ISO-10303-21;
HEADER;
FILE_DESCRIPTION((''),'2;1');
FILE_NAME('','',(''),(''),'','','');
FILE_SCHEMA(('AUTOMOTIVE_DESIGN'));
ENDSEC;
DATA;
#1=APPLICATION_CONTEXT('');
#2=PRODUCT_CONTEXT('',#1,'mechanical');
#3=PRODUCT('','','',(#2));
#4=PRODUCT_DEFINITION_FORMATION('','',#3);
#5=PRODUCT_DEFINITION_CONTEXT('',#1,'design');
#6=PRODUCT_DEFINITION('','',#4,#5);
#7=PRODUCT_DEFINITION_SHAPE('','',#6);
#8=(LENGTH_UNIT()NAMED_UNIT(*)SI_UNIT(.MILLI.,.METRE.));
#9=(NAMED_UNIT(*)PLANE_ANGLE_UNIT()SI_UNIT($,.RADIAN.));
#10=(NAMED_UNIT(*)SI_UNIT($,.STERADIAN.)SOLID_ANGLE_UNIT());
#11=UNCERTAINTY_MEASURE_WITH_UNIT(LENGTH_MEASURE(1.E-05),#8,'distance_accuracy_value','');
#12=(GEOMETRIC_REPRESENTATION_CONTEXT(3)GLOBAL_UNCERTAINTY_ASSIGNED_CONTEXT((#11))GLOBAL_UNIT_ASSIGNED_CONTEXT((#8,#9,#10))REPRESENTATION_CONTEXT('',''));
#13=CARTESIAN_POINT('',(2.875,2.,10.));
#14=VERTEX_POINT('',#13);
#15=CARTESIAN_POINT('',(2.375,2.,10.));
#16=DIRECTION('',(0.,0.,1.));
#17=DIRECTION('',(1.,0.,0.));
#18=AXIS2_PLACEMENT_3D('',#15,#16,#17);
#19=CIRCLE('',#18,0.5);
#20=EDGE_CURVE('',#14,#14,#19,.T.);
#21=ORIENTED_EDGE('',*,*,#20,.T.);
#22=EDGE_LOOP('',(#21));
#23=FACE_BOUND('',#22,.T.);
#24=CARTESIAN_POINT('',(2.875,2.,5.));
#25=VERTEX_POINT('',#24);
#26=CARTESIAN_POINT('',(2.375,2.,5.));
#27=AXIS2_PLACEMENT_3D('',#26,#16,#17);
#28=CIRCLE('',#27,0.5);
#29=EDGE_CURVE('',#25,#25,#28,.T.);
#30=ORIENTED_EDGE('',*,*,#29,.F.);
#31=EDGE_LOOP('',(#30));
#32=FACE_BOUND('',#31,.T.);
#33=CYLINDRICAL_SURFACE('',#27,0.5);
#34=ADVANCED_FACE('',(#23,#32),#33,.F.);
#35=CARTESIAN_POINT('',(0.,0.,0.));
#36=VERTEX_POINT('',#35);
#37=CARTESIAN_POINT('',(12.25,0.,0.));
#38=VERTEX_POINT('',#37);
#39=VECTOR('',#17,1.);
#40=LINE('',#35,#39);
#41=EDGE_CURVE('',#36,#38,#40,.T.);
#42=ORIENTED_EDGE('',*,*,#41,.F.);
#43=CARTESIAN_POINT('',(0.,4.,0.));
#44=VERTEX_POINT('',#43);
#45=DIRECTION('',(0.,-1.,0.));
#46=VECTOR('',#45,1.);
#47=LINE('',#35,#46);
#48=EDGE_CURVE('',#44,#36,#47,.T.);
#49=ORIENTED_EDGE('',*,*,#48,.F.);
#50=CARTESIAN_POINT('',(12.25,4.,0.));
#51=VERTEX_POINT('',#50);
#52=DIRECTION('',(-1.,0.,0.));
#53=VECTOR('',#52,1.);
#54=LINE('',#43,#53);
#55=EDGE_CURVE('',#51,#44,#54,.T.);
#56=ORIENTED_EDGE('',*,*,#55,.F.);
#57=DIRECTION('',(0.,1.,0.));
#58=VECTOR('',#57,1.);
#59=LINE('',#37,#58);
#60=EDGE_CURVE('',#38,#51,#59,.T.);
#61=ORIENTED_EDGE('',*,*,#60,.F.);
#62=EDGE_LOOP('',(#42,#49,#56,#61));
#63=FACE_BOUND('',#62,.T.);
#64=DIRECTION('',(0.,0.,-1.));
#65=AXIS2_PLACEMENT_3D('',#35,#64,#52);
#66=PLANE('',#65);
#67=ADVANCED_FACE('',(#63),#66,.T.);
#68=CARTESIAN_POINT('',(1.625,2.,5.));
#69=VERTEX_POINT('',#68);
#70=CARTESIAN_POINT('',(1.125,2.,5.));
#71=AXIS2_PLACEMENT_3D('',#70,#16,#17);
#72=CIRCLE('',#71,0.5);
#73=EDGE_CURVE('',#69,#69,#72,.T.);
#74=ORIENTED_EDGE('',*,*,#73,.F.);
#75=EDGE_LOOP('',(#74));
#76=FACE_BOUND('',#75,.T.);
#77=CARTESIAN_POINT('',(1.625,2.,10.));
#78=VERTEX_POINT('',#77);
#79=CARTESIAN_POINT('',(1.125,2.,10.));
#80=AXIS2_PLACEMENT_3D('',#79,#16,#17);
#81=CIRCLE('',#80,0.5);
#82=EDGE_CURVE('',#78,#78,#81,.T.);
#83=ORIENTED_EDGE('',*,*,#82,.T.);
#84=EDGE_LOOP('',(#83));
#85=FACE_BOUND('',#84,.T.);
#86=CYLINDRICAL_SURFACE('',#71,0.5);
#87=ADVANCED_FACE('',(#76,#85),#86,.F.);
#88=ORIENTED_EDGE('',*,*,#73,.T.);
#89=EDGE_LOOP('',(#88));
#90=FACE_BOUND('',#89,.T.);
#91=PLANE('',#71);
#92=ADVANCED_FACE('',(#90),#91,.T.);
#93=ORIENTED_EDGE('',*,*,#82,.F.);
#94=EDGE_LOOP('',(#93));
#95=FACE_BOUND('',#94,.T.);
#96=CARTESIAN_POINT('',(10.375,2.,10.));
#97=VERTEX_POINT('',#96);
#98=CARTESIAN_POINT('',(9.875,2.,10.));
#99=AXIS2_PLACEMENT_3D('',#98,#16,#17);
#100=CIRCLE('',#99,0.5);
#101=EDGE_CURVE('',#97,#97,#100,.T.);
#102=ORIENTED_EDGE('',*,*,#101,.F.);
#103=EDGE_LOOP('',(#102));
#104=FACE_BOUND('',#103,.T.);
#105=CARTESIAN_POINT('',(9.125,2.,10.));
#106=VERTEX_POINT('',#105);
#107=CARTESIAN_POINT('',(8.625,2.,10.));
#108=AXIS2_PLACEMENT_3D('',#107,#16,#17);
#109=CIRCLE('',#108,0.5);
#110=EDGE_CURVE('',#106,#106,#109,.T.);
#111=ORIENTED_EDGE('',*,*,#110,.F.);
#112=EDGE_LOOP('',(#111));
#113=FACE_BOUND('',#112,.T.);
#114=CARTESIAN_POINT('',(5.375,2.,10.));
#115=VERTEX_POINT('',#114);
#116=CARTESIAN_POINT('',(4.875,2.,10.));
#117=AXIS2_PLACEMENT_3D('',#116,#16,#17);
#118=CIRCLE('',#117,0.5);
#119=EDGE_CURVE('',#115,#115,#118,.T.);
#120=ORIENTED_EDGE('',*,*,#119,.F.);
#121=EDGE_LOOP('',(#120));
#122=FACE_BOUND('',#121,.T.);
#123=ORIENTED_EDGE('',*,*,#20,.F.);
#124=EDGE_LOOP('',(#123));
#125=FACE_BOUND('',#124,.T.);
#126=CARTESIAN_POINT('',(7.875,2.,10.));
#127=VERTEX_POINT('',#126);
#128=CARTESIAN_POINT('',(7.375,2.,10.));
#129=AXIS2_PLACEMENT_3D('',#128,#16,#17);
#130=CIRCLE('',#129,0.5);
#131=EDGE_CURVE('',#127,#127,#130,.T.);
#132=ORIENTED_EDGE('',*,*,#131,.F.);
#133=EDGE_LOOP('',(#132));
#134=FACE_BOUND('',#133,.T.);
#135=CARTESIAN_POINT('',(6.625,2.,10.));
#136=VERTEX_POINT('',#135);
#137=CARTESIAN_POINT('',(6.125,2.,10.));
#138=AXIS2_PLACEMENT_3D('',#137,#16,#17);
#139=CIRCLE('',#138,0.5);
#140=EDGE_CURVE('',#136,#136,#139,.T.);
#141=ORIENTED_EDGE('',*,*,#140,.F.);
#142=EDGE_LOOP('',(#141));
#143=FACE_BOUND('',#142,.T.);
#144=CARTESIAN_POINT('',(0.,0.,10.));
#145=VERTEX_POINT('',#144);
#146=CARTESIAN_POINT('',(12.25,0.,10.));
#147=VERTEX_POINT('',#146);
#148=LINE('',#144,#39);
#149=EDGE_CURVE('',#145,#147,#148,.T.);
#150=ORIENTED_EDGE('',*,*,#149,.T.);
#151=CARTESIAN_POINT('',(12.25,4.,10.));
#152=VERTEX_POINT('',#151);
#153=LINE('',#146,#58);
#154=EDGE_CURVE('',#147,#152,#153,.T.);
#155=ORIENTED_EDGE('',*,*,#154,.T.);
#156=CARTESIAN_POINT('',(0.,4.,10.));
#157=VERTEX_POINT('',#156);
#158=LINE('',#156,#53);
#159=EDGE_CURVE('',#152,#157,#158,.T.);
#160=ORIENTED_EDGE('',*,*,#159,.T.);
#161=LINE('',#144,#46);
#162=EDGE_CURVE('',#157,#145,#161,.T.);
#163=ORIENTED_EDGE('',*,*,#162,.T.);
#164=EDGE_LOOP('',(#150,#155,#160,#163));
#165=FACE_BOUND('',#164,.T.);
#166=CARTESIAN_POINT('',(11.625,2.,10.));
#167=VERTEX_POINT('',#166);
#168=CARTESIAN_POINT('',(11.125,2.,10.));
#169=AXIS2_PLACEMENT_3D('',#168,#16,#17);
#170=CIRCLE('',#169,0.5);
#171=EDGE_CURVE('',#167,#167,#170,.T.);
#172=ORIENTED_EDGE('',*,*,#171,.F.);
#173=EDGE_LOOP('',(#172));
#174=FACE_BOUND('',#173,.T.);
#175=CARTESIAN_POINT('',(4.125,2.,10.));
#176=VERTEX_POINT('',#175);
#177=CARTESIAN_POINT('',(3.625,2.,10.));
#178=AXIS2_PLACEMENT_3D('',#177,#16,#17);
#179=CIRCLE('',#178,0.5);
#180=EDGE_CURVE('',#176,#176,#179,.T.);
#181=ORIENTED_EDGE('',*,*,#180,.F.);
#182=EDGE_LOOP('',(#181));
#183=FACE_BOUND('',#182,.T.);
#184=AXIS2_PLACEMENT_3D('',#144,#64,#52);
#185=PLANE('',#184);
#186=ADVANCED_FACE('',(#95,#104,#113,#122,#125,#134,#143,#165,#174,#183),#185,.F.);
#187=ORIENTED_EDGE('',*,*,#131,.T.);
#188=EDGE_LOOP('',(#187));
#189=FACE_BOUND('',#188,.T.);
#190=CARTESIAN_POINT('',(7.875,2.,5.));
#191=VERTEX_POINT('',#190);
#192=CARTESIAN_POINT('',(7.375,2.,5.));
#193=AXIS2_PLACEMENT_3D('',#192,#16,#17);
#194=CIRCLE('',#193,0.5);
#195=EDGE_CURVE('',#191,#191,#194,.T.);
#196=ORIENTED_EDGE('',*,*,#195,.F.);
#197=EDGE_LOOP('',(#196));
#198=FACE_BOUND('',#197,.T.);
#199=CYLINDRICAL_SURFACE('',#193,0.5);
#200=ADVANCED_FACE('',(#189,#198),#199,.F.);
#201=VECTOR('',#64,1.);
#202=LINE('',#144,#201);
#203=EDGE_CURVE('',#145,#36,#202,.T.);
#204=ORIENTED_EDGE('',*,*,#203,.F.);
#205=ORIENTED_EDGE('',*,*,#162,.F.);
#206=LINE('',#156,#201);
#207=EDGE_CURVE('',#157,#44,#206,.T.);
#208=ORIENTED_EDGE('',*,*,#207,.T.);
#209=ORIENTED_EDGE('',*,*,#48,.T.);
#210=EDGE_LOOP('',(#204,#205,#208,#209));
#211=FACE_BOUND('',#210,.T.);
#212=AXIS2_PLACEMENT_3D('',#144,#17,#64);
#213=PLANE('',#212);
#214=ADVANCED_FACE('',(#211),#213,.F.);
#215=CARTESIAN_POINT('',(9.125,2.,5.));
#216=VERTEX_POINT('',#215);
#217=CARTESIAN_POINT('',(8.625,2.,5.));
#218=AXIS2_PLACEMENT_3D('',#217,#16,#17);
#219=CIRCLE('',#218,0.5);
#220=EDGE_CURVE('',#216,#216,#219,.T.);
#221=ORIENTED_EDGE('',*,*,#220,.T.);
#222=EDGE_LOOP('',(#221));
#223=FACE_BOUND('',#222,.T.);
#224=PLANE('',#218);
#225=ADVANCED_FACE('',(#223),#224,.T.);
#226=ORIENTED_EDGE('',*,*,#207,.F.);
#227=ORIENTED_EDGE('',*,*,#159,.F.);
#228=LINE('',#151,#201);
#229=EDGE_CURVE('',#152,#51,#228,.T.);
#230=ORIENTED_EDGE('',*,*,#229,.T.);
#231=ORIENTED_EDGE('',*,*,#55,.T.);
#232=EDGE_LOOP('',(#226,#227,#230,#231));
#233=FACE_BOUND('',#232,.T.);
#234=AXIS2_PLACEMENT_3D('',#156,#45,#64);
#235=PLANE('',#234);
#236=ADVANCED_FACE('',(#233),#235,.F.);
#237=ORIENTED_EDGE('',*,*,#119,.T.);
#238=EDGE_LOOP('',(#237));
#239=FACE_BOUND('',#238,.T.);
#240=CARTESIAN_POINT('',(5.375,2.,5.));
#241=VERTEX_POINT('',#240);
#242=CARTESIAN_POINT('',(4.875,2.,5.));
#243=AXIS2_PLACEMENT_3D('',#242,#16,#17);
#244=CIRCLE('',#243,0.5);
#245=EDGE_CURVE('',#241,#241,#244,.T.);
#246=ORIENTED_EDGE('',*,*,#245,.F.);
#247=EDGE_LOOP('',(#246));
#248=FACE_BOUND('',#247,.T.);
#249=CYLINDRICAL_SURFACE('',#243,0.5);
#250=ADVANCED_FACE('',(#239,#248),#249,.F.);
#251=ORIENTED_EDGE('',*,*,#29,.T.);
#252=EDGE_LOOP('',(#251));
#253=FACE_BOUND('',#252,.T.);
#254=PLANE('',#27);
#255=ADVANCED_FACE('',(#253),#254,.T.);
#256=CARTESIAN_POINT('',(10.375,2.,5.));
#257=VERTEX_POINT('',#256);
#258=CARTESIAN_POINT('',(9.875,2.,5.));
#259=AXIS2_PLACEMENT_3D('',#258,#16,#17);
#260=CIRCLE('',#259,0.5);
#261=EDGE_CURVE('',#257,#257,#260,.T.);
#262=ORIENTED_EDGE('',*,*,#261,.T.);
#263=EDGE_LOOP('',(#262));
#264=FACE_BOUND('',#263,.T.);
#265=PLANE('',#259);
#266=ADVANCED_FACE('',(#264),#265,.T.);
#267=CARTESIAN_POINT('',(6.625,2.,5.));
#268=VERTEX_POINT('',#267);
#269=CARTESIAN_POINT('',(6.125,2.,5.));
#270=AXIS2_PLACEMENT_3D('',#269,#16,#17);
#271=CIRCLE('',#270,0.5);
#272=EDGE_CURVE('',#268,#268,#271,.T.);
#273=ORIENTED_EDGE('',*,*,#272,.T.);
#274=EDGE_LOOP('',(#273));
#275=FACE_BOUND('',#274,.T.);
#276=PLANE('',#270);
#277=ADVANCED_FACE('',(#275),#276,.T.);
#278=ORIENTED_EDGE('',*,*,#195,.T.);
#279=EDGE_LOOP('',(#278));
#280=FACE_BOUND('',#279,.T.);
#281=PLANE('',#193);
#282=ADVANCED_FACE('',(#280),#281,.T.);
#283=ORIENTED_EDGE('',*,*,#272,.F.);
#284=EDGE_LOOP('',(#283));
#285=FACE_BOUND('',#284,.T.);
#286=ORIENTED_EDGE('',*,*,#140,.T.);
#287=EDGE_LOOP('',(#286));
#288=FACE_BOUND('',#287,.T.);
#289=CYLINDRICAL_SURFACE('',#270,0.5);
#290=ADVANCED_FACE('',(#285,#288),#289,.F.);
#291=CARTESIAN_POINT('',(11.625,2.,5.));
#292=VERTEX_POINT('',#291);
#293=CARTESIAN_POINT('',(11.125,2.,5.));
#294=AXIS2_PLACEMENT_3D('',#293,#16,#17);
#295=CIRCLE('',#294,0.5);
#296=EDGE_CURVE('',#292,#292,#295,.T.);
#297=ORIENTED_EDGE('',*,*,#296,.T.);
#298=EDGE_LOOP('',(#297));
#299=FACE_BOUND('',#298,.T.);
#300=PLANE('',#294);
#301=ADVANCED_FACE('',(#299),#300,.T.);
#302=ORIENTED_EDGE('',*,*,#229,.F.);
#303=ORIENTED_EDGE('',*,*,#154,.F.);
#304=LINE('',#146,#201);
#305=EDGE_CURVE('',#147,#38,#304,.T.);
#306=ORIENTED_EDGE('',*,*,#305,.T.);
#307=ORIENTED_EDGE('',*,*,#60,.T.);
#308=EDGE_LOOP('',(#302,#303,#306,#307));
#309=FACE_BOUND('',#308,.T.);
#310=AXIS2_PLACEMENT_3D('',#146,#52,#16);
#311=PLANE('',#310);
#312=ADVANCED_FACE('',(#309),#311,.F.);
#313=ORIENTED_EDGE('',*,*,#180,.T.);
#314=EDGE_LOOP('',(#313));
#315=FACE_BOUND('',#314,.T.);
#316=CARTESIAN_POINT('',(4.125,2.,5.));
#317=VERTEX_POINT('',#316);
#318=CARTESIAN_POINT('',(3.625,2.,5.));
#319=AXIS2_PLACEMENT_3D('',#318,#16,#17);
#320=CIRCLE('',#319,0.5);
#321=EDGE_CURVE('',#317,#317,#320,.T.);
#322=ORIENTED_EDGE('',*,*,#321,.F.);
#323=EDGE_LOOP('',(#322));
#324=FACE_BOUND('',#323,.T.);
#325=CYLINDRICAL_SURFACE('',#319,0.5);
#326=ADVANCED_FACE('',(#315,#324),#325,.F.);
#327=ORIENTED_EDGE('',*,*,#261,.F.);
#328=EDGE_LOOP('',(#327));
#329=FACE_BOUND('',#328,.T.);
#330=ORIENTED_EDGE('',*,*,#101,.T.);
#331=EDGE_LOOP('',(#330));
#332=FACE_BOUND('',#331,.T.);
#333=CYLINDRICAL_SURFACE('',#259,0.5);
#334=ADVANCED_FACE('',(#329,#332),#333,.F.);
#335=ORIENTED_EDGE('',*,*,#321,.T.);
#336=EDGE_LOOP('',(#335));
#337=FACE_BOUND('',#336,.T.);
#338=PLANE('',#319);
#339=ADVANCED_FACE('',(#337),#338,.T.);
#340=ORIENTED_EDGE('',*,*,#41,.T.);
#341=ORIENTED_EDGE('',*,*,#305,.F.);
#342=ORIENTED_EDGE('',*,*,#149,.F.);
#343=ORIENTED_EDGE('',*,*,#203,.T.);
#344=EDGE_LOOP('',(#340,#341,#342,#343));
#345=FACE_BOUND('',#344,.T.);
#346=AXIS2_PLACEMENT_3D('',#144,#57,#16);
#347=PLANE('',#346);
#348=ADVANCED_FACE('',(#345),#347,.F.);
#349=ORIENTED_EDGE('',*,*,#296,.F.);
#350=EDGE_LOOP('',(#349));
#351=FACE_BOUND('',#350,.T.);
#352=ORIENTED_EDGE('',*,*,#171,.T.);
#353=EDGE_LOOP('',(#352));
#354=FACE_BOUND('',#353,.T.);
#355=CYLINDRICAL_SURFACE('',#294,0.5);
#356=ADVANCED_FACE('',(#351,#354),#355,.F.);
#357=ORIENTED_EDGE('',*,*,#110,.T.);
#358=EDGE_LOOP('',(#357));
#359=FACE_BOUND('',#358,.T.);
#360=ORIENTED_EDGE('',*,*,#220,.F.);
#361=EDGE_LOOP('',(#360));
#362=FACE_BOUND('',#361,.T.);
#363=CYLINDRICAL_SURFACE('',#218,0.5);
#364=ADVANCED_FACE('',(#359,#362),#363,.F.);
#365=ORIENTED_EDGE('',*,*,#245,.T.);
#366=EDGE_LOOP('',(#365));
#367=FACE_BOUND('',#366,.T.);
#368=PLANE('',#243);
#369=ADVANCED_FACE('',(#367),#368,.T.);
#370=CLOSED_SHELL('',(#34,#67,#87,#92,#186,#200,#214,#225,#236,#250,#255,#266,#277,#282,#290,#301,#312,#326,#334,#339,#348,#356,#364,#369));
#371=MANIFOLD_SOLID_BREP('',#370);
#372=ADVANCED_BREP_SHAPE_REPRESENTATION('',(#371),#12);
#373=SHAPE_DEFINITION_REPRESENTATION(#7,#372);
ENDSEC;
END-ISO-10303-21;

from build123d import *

# Parameters (mm, degrees)
SKETCH2_W           = 12.25
SKETCH2_H           = 4
BOSS_EXTRUDE1_DEPTH = 10
SKETCH3_R           = 0.5
CUT_EXTRUDE1_DEPTH  = 5


with BuildPart() as part:
    # Sketch2 → Boss-Extrude1 (new body)
    with BuildSketch(Plane.XY):
        with Locations((6.125, 2)):
            Rectangle(SKETCH2_W, SKETCH2_H)
    extrude(amount=BOSS_EXTRUDE1_DEPTH)

    # Sketch3 → Cut-Extrude1 (cut)
    with BuildSketch(Plane.XY.offset(10)):
        with Locations((1.125, 2)):
            Circle(SKETCH3_R)
        with Locations((2.375, 2)):
            Circle(SKETCH3_R)
        with Locations((3.625, 2)):
            Circle(SKETCH3_R)
        with Locations((4.875, 2)):
            Circle(SKETCH3_R)
        with Locations((6.125, 2)):
            Circle(SKETCH3_R)
        with Locations((7.375, 2)):
            Circle(SKETCH3_R)
        with Locations((8.625, 2)):
            Circle(SKETCH3_R)
        with Locations((9.875, 2)):
            Circle(SKETCH3_R)
        with Locations((11.125, 2)):
            Circle(SKETCH3_R)
    extrude(amount=-CUT_EXTRUDE1_DEPTH, mode=Mode.SUBTRACT)


solid = part.part
